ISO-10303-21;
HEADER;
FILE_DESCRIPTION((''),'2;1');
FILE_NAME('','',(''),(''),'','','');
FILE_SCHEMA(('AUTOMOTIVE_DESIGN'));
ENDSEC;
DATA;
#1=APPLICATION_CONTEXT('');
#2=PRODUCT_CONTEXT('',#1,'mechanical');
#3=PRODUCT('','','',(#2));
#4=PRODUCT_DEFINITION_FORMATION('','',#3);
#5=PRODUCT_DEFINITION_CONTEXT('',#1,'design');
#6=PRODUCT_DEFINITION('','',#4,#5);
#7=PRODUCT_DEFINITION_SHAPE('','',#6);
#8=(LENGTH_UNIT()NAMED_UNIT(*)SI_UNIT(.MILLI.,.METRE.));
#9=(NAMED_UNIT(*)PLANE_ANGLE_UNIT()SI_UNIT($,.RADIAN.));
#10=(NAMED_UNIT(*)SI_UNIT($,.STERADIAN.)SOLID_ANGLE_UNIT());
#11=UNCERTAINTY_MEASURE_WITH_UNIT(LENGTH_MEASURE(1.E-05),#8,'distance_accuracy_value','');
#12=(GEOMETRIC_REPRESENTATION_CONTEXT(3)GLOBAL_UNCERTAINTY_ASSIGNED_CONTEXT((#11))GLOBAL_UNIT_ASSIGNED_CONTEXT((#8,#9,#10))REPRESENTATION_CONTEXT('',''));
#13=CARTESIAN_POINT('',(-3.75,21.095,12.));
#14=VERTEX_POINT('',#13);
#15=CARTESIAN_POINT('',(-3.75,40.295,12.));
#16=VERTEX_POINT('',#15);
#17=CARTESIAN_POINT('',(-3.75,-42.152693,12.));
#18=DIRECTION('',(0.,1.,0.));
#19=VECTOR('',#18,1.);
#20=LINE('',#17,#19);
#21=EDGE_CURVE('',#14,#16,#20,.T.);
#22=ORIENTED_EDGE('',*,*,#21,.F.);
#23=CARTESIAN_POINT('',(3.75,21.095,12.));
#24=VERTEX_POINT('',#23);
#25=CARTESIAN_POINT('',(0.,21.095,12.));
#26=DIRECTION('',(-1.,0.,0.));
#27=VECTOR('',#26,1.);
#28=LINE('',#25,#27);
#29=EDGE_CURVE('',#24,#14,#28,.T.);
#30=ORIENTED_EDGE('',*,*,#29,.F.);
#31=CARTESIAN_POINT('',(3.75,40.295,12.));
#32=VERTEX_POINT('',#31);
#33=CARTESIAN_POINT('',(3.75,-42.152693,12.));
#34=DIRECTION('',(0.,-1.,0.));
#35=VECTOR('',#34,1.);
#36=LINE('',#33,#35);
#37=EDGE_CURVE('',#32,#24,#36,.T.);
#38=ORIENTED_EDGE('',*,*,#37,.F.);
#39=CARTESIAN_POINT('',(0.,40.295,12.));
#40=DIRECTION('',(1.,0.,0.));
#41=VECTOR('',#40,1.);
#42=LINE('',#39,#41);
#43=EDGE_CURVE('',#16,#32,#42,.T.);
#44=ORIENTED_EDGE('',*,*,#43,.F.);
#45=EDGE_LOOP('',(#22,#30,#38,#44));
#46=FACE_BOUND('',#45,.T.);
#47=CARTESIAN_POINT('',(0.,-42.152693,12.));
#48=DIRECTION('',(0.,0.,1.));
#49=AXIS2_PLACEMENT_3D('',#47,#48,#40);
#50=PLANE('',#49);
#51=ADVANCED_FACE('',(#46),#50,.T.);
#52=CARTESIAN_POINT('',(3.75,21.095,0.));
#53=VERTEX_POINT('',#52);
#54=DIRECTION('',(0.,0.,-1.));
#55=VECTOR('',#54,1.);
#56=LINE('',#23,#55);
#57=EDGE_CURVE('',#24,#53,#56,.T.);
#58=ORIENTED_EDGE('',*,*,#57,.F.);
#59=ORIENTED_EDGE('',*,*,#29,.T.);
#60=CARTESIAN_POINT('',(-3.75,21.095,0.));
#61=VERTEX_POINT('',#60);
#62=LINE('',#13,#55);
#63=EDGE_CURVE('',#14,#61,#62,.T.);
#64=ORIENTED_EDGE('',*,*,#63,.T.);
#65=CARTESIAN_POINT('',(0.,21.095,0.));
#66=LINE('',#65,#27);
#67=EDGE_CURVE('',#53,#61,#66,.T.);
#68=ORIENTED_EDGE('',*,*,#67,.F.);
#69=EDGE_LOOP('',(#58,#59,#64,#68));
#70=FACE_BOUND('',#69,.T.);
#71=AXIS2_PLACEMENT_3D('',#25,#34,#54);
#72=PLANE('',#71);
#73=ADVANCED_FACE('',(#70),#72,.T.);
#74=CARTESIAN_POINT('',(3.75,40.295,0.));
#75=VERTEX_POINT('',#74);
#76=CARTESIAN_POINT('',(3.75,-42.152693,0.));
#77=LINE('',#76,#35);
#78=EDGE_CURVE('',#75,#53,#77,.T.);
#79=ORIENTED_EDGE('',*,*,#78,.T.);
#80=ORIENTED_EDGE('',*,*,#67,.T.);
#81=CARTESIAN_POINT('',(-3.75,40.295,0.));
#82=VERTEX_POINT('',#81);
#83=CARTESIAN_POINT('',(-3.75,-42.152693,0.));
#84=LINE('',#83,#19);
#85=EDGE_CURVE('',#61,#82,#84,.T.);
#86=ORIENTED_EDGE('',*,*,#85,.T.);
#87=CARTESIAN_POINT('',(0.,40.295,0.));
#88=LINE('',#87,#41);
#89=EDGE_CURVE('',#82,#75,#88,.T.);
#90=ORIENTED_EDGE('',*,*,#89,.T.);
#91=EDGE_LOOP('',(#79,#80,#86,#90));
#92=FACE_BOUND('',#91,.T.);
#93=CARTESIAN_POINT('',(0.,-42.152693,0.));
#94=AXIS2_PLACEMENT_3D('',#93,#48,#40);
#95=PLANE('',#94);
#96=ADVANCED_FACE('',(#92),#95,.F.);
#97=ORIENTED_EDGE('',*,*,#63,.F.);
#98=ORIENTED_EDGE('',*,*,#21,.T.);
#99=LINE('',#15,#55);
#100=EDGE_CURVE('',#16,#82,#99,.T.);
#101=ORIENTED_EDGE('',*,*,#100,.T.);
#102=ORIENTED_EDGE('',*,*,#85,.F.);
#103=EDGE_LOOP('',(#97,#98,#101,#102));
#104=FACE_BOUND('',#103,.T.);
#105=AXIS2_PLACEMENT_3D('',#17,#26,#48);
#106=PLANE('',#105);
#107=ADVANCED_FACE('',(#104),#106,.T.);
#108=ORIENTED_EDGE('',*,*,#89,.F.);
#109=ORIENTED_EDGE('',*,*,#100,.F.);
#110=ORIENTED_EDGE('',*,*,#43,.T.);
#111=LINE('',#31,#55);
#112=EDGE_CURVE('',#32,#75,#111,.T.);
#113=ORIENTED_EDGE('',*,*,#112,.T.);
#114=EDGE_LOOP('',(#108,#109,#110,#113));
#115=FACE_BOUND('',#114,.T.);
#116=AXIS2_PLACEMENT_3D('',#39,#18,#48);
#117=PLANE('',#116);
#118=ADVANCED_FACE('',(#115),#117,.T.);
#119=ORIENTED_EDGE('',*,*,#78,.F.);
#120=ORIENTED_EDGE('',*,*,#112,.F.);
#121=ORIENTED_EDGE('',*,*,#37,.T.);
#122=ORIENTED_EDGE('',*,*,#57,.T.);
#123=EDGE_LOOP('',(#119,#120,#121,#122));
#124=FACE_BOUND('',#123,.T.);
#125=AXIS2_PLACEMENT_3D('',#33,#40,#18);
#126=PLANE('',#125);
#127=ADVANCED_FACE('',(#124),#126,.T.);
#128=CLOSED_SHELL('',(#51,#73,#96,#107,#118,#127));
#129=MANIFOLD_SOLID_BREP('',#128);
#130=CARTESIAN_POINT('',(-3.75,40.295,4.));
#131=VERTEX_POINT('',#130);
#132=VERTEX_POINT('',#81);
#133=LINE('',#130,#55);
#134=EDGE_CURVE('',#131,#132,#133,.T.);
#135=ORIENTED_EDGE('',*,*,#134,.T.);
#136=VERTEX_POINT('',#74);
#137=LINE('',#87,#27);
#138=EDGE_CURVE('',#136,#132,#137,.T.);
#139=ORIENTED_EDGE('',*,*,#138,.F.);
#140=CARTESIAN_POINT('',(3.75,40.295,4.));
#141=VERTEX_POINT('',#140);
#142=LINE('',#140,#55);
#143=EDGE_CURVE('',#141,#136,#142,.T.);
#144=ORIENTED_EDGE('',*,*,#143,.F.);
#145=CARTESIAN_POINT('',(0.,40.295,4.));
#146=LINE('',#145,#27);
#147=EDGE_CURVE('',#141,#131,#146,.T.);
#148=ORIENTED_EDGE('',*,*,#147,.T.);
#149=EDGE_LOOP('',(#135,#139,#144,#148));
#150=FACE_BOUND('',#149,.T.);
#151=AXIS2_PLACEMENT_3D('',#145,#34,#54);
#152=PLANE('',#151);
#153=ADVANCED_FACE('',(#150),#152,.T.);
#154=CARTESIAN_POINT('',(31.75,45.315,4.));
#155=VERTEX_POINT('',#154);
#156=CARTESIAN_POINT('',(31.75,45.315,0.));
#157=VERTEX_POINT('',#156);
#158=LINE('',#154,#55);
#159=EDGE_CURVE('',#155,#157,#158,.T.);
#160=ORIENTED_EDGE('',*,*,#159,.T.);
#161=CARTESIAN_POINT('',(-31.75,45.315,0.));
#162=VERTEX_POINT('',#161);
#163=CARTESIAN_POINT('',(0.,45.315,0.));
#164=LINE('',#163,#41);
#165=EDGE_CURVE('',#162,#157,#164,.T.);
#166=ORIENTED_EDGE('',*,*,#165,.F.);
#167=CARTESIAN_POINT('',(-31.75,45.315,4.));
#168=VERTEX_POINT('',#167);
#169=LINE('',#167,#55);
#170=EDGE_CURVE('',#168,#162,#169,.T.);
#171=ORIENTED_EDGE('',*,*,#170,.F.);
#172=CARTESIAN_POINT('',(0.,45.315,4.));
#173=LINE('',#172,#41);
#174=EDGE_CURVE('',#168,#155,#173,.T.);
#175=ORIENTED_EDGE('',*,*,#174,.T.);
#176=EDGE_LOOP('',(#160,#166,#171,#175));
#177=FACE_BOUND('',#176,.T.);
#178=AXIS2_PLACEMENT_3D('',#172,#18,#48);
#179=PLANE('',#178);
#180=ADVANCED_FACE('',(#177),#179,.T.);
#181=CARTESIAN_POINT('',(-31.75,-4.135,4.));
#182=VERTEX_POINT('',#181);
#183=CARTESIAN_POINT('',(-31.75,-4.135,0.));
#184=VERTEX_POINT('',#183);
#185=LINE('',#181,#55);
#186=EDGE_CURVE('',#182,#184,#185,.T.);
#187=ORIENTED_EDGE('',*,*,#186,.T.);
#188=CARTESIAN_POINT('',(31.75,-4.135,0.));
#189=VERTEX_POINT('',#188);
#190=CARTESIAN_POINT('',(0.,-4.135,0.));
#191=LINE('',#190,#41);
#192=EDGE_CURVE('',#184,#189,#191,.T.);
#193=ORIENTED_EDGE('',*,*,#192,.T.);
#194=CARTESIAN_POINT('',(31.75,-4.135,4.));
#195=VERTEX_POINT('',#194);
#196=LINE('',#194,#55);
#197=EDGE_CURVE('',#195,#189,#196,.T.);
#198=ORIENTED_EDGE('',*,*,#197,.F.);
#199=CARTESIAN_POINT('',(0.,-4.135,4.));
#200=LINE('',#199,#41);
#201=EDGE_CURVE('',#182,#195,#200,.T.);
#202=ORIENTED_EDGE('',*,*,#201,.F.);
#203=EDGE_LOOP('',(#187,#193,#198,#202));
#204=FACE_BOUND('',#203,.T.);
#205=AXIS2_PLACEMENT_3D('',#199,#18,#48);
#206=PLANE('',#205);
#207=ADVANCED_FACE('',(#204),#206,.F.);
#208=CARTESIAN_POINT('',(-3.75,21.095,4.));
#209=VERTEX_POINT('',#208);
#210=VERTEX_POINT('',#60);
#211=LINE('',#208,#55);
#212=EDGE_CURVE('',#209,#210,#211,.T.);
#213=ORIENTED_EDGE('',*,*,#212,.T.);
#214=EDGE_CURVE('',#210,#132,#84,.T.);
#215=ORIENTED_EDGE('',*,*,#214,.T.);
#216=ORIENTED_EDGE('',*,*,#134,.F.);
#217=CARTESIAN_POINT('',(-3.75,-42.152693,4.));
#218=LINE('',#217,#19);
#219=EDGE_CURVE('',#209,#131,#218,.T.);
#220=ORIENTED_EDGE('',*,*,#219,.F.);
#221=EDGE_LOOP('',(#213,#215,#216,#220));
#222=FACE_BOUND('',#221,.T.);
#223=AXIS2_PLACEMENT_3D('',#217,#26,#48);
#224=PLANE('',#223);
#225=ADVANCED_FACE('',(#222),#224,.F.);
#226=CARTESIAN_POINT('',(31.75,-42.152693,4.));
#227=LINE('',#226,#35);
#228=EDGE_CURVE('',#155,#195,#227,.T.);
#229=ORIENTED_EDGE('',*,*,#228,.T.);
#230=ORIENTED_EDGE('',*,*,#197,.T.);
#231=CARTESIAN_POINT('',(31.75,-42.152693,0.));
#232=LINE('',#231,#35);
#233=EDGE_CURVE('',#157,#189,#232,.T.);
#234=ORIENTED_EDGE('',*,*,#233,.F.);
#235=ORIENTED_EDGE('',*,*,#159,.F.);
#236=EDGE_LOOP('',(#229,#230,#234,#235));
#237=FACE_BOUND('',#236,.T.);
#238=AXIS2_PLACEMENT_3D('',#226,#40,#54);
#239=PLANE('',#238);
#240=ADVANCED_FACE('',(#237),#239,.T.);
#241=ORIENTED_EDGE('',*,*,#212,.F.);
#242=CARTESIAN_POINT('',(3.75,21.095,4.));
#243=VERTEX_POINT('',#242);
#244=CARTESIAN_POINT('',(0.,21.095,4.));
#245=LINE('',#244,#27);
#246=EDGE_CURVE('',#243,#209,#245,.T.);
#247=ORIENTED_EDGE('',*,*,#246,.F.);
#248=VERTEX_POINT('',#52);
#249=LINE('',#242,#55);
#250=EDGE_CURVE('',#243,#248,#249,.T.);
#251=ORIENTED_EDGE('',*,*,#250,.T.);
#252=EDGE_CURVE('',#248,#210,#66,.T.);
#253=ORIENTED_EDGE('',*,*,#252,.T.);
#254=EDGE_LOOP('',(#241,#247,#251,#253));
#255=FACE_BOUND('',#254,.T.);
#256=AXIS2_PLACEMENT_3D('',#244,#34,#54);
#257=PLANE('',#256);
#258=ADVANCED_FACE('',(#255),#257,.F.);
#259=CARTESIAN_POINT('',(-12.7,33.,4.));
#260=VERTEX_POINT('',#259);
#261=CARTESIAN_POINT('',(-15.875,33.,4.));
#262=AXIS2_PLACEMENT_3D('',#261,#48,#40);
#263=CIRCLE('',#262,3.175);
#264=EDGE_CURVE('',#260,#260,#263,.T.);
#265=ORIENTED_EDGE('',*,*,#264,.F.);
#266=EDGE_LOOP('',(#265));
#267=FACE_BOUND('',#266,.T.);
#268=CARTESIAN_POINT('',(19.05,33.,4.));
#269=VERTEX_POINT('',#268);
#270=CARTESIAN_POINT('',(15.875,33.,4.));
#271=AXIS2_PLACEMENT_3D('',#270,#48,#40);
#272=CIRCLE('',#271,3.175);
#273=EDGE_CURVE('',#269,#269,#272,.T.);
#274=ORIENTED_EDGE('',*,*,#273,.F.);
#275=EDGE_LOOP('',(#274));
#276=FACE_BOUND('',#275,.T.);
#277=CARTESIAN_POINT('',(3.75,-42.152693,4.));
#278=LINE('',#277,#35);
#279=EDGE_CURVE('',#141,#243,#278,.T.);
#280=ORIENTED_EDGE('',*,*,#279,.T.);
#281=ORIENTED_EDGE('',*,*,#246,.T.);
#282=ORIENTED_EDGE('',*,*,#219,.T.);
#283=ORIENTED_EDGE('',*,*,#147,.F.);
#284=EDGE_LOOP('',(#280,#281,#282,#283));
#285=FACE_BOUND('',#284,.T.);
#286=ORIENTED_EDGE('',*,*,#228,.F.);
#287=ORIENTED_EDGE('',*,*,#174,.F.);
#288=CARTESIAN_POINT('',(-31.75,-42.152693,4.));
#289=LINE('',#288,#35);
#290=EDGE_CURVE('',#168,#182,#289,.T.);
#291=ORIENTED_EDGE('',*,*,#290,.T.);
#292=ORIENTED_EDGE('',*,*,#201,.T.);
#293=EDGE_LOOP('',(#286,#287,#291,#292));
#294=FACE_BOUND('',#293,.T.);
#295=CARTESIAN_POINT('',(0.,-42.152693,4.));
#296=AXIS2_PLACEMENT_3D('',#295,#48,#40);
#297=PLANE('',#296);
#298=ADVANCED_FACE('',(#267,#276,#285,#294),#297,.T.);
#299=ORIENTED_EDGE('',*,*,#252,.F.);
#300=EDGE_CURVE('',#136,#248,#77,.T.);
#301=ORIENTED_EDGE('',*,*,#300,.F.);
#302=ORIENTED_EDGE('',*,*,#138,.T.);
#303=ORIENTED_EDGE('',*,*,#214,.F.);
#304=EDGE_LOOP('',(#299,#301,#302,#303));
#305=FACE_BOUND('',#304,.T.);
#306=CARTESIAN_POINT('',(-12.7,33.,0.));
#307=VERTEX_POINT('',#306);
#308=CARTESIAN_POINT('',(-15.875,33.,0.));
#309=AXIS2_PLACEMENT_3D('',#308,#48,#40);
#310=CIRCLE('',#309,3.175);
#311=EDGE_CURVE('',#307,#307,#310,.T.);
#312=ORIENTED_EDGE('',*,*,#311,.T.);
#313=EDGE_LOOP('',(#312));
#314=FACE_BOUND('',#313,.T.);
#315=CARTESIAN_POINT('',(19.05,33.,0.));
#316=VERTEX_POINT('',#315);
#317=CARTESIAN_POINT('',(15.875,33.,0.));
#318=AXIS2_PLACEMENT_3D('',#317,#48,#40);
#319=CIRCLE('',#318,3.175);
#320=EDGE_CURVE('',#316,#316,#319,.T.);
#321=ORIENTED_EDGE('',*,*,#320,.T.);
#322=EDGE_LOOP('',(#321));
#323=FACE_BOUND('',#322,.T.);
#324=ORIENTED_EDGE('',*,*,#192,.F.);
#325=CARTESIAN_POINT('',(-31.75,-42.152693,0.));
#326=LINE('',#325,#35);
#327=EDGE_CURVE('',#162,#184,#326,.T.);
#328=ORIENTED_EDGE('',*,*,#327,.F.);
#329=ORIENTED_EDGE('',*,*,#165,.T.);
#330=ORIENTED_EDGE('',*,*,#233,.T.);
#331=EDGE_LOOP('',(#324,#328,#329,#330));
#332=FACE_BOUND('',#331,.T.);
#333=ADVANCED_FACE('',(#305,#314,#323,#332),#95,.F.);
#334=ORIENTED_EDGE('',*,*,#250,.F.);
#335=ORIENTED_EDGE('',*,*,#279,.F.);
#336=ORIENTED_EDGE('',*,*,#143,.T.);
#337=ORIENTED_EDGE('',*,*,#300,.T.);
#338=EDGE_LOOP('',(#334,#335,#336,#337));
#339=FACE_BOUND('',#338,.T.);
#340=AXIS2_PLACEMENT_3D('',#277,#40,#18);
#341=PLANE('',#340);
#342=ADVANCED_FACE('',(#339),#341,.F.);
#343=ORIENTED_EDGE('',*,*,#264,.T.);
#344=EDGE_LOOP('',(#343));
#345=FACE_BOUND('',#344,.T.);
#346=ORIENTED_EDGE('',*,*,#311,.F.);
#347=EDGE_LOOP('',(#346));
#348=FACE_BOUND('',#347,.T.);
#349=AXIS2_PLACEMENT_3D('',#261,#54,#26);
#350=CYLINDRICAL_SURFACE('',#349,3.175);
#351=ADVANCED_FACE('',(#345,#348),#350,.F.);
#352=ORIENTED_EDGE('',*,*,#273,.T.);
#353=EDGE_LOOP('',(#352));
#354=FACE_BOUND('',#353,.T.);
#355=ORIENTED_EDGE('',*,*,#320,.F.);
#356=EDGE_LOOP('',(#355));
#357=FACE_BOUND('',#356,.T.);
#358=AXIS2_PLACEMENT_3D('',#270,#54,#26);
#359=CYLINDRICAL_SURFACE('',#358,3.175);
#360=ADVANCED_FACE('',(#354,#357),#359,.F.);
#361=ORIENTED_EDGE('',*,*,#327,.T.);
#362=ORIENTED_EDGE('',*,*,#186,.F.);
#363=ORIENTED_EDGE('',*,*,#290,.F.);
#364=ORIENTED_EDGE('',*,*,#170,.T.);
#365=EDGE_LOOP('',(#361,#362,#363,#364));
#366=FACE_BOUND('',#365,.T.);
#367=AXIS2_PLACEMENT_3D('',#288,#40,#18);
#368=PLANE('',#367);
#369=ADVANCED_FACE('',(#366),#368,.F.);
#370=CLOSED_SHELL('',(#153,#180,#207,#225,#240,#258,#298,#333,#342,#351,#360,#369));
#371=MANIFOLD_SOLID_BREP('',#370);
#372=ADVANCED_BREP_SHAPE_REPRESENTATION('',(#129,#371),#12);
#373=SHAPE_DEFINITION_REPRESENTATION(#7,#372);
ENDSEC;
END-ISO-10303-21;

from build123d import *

# Parameters (mm, degrees)
SKETCH1_W           = 63.5
SKETCH1_H           = 49.45
SKETCH1_W_2         = 7.5
SKETCH1_H_2         = 19.2
SKETCH1_R           = 3.175
BOSS_EXTRUDE1_DEPTH = 4
BOSS_EXTRUDE2_DEPTH = 12


with BuildPart() as part:
    # Sketch1 → Boss-Extrude1 (new body)
    with BuildSketch(Plane.XY):
        with Locations((0, 20.59)):
            Rectangle(SKETCH1_W, SKETCH1_H)
        with Locations((0, 30.695)):
            Rectangle(SKETCH1_W_2, SKETCH1_H_2, mode=Mode.SUBTRACT)
        with Locations((-15.875, 33)):
            Circle(SKETCH1_R, mode=Mode.SUBTRACT)
        with Locations((15.875, 33)):
            Circle(SKETCH1_R, mode=Mode.SUBTRACT)
    extrude(amount=BOSS_EXTRUDE1_DEPTH)


with BuildPart() as body_2:
    # Sketch1<3> → Boss-Extrude2 (new body)
    with BuildSketch(Plane.XY):
        Polygon((0, 40.295), (-3.75, 40.295), (-3.75, 21.095), (0, 21.095), (3.75, 21.095), (3.75, 40.295), align=None)
    extrude(amount=BOSS_EXTRUDE2_DEPTH)


solid = Compound([part.part, body_2.part])
